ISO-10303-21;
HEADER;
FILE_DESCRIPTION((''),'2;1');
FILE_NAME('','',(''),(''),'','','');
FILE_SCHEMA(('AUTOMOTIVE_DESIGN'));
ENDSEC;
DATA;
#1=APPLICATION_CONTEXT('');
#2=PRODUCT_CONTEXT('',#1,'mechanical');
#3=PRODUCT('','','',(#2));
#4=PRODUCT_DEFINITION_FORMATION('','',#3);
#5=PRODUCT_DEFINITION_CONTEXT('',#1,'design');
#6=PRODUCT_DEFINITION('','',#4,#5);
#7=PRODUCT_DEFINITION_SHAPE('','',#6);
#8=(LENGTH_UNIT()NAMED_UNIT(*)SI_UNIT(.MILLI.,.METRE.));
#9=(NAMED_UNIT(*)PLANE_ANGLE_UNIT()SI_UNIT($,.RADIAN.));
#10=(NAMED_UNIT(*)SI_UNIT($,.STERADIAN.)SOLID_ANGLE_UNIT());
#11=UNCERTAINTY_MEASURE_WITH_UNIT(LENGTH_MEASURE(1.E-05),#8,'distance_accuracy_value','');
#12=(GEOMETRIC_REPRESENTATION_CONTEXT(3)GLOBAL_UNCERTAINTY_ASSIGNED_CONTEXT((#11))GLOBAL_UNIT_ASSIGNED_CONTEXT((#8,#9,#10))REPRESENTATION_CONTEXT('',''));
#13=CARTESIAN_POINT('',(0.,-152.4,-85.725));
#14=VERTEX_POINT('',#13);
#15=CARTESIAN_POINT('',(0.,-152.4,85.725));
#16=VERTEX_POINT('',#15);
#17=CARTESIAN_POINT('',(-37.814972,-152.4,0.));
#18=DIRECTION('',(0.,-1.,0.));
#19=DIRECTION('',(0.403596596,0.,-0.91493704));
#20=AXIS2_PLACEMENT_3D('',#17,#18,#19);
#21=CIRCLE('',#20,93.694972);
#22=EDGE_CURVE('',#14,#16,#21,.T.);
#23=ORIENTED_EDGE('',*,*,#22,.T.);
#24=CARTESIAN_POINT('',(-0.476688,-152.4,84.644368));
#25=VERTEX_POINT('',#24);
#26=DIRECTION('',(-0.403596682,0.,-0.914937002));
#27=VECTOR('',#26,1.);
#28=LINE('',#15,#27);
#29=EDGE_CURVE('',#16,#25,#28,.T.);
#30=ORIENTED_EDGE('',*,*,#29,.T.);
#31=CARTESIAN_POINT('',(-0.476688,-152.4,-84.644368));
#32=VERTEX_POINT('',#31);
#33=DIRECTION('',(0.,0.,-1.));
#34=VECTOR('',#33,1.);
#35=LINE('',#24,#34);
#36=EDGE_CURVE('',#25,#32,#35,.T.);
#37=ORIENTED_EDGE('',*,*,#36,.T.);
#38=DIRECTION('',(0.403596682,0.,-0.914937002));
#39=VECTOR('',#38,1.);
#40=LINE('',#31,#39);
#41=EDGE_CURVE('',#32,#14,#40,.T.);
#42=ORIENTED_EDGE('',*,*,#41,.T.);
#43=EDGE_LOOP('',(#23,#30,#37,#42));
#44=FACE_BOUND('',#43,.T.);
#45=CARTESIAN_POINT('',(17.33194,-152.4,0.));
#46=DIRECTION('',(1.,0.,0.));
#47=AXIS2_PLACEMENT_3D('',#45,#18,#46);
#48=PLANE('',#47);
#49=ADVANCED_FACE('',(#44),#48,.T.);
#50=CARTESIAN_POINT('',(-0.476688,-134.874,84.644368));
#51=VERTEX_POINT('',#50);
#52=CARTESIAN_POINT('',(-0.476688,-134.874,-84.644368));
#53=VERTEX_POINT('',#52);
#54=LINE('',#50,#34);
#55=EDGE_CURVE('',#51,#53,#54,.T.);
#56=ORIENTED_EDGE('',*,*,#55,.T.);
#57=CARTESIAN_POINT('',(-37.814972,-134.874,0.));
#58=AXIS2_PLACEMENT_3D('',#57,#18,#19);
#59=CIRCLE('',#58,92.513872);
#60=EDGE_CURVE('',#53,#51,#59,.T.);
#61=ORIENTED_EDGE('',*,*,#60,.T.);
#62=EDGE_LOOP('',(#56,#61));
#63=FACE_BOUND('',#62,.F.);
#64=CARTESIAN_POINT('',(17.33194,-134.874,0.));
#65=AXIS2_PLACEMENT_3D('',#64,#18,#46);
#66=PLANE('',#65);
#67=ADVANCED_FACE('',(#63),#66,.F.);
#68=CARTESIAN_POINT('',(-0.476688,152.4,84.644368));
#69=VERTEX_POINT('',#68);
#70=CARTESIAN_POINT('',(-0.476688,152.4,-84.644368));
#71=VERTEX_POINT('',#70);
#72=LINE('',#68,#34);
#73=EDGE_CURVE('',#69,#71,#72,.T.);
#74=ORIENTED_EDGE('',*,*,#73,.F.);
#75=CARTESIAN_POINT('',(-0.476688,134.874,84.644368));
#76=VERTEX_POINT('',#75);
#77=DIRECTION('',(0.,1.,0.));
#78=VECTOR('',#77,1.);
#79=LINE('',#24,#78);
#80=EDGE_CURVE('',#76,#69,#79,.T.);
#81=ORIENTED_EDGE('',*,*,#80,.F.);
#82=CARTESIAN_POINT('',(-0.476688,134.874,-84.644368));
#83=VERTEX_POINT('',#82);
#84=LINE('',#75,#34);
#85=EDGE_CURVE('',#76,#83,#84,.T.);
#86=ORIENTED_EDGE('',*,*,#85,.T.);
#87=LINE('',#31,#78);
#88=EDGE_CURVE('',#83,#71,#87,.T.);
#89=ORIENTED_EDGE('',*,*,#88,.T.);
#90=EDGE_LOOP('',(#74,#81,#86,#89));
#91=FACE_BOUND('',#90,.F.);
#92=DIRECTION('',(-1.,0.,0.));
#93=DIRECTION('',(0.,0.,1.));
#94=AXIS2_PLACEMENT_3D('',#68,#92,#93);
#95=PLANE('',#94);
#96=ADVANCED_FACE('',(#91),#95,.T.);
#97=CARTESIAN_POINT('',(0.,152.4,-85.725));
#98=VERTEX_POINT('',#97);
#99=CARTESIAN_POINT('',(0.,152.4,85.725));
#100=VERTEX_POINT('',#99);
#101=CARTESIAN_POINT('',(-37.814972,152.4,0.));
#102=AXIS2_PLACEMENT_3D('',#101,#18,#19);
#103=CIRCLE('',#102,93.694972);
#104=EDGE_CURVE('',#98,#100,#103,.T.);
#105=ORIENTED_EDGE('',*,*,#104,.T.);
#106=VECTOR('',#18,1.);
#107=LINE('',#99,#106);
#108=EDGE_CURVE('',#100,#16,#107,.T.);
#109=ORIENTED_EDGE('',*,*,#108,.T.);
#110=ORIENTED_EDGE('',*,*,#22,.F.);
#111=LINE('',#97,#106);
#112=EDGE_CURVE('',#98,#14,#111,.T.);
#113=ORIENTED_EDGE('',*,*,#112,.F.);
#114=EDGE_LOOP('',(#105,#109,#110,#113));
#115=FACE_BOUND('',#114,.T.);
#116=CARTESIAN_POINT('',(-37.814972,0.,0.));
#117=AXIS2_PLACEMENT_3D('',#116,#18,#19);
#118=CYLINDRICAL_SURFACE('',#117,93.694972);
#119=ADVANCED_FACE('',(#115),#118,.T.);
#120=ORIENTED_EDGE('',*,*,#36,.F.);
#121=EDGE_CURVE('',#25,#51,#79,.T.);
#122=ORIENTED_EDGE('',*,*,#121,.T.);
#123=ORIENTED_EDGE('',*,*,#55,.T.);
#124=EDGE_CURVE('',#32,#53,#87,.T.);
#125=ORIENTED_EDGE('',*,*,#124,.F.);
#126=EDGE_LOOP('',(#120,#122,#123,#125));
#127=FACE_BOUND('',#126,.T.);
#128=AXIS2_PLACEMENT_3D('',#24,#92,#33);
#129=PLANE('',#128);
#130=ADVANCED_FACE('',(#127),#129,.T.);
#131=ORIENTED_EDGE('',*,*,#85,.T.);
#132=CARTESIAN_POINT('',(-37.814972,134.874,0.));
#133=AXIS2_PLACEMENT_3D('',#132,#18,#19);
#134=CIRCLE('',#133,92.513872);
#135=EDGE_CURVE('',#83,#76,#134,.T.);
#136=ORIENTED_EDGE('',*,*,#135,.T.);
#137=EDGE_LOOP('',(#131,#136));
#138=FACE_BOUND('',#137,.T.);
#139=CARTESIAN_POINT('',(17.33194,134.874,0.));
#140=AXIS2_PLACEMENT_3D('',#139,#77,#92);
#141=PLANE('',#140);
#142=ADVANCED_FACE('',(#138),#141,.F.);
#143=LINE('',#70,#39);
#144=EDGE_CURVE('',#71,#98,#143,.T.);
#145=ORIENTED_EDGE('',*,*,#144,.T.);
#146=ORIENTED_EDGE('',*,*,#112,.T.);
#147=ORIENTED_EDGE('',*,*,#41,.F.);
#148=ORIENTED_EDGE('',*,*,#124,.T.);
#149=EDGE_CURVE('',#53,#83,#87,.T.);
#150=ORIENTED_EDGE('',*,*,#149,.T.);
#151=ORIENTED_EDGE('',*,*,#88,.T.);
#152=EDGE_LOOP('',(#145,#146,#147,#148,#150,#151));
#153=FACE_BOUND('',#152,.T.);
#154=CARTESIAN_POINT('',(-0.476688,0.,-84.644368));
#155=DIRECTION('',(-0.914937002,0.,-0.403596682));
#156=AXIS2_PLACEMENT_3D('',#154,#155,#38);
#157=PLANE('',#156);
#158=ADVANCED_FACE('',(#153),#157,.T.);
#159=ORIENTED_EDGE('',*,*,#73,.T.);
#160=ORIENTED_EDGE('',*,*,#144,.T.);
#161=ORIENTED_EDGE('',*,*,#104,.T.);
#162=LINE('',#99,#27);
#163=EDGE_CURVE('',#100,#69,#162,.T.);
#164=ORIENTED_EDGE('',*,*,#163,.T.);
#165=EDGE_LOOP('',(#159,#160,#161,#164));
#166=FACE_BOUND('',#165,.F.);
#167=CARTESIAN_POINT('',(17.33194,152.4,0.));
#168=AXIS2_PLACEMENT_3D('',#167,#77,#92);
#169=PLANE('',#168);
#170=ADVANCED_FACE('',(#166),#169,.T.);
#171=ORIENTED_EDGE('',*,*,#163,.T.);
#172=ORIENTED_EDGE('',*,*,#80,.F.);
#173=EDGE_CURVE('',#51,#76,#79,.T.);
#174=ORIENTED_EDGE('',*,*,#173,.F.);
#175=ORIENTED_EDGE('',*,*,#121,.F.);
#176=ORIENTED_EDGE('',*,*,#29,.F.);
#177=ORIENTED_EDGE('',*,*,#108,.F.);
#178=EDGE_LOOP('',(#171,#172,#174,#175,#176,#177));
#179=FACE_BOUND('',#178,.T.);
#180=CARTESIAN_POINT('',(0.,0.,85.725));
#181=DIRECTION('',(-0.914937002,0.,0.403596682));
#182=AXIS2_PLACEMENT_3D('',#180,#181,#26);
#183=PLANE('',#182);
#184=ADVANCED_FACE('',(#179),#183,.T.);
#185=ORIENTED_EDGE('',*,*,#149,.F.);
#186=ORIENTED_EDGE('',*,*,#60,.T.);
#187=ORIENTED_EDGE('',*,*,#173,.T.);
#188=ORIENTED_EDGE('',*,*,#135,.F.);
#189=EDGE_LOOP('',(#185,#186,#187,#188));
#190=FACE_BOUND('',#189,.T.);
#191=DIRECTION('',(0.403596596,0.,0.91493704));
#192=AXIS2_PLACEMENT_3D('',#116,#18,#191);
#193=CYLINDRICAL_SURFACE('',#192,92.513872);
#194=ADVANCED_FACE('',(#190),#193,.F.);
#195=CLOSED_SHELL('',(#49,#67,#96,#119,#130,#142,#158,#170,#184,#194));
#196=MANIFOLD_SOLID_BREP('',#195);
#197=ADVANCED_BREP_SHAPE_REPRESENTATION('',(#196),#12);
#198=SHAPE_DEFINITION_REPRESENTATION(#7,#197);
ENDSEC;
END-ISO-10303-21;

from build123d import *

# Parameters (mm, degrees)
F1_DEPTH = 152.4
F3_DEPTH = 17.526


with BuildPart() as f1:
    # F0 (on Front) → F1 (new body, symmetric)
    with BuildSketch(Plane.XZ):
        with BuildLine():
            Line((-0.476688, -84.644368), (0, -85.725))
            ThreePointArc((0, -85.725), (55.88, 0), (0, 85.725))
            Line((0, 85.725), (-0.476688, 84.644368))
            ThreePointArc((-0.476688, 84.644368), (54.6989, 0), (-0.476688, -84.644368))
        make_face()
    extrude(amount=F1_DEPTH, both=True)

    # F2 (on face) → F3 (join)
    with BuildSketch(Plane.XZ.offset(152.4)):
        with BuildLine():
            Line((-0.476688, 84.644368), (-0.476688, -84.644368))
            ThreePointArc((-0.476688, -84.644368), (54.6989, 0), (-0.476688, 84.644368))
        make_face()
    extrude(amount=-F3_DEPTH)

    # F4: F1 across plane


with BuildPart() as f1_1:
    add(f1.part)
    add(f1.part.mirror(Plane.XZ))


solid = f1_1.part
